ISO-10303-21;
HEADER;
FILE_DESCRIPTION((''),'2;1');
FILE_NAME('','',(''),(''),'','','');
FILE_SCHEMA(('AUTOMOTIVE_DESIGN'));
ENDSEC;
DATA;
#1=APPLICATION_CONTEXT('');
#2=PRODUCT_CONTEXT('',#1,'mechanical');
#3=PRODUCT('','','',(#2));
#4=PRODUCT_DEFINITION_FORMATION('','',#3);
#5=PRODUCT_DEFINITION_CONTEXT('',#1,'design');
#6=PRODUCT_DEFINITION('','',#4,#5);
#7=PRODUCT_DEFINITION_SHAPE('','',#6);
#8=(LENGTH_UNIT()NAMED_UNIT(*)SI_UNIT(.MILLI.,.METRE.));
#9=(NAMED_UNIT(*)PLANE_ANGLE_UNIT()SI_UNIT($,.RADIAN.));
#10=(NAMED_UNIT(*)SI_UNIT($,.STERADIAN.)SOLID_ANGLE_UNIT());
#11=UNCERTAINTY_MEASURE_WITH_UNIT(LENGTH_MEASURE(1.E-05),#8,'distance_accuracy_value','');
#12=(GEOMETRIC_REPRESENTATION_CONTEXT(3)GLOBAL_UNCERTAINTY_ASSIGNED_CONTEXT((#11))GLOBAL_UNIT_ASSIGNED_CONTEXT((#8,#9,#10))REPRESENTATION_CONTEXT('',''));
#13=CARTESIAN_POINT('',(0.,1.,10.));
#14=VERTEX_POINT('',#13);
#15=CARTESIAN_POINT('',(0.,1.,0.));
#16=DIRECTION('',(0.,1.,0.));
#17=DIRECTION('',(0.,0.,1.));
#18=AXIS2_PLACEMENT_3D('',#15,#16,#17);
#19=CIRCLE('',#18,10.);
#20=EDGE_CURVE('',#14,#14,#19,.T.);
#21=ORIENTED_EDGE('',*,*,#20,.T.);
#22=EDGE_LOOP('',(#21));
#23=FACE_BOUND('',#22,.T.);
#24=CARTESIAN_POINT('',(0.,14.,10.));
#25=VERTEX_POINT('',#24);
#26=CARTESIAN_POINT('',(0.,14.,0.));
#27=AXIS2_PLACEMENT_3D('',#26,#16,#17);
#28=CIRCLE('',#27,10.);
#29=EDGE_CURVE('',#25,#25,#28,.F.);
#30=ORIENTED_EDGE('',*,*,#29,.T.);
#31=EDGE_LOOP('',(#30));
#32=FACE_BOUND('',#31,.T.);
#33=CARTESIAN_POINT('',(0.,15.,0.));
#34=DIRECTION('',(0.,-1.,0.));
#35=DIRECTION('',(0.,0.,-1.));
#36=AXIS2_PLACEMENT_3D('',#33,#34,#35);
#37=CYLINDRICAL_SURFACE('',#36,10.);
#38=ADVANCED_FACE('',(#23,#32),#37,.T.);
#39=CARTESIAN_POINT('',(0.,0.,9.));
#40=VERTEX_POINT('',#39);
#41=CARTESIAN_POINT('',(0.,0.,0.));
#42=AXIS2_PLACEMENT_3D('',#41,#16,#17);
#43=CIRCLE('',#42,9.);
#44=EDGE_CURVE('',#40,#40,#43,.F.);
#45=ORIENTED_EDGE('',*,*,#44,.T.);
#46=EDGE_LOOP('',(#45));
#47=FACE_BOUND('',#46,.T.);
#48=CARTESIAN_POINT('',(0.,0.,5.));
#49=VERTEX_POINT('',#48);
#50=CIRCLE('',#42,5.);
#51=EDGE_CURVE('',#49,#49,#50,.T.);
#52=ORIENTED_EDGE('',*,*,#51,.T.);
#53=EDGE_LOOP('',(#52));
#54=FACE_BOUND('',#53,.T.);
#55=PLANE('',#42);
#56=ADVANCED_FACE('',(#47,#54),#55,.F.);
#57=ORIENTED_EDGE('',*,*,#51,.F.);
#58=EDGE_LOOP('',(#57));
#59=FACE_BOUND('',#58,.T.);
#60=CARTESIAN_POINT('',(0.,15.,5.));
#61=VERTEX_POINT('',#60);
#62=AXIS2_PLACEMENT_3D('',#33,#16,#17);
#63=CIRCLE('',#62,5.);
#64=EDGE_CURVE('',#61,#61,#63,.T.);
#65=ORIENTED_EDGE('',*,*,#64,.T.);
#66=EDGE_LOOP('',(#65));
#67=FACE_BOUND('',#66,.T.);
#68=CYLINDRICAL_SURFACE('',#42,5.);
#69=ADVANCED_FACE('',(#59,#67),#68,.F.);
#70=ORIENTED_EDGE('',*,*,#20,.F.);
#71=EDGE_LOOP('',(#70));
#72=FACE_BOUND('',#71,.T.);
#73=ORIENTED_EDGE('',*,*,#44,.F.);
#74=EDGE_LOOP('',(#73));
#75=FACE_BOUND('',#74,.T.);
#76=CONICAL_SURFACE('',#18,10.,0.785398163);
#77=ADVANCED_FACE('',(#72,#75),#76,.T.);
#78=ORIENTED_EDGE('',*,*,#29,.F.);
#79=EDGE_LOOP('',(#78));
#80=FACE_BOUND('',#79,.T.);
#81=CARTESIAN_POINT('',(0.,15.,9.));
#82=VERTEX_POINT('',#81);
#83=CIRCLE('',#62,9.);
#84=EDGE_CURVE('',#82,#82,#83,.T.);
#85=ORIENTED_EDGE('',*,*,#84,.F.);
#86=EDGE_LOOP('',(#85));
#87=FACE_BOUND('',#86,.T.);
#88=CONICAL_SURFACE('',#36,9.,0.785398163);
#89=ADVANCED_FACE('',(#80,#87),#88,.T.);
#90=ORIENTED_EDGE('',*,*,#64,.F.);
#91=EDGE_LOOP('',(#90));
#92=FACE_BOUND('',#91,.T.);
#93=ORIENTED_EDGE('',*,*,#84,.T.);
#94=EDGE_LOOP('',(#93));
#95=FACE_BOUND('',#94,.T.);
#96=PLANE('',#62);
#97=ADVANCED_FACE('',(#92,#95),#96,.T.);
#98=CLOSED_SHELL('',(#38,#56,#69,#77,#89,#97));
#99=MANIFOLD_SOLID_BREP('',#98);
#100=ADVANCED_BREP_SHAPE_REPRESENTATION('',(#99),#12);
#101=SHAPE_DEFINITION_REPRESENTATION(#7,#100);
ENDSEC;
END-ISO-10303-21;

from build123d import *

# Parameters (mm, degrees)
SKETCH1_R           = 10
BOSS_EXTRUDE1_DEPTH = 15
SKETCH2_R           = 5
CUT_EXTRUDE1_DEPTH  = 15
CHAMFER1_SIZE       = 1


with BuildPart() as part:
    # Sketch1 → Boss-Extrude1 (new body)
    with BuildSketch(Plane(origin=(0, 0, 0), x_dir=(1, 0, 0), z_dir=(0, 1, 0))):
        Circle(SKETCH1_R)
    extrude(amount=BOSS_EXTRUDE1_DEPTH)

    # Sketch2 → Cut-Extrude1 (cut)
    with BuildSketch(Plane(origin=(0, 15, 0), x_dir=(1, 0, 0), z_dir=(0, 1, 0))):
        Circle(SKETCH2_R)
    extrude(amount=-CUT_EXTRUDE1_DEPTH, mode=Mode.SUBTRACT)

    # Chamfer1
    chamfer1_edges = [part.edges().sort_by_distance(p)[0] for p in [
        (-10, 0, 0),
        (-10, 15, 0),
    ]]
    chamfer(chamfer1_edges, length=CHAMFER1_SIZE)


solid = part.part
